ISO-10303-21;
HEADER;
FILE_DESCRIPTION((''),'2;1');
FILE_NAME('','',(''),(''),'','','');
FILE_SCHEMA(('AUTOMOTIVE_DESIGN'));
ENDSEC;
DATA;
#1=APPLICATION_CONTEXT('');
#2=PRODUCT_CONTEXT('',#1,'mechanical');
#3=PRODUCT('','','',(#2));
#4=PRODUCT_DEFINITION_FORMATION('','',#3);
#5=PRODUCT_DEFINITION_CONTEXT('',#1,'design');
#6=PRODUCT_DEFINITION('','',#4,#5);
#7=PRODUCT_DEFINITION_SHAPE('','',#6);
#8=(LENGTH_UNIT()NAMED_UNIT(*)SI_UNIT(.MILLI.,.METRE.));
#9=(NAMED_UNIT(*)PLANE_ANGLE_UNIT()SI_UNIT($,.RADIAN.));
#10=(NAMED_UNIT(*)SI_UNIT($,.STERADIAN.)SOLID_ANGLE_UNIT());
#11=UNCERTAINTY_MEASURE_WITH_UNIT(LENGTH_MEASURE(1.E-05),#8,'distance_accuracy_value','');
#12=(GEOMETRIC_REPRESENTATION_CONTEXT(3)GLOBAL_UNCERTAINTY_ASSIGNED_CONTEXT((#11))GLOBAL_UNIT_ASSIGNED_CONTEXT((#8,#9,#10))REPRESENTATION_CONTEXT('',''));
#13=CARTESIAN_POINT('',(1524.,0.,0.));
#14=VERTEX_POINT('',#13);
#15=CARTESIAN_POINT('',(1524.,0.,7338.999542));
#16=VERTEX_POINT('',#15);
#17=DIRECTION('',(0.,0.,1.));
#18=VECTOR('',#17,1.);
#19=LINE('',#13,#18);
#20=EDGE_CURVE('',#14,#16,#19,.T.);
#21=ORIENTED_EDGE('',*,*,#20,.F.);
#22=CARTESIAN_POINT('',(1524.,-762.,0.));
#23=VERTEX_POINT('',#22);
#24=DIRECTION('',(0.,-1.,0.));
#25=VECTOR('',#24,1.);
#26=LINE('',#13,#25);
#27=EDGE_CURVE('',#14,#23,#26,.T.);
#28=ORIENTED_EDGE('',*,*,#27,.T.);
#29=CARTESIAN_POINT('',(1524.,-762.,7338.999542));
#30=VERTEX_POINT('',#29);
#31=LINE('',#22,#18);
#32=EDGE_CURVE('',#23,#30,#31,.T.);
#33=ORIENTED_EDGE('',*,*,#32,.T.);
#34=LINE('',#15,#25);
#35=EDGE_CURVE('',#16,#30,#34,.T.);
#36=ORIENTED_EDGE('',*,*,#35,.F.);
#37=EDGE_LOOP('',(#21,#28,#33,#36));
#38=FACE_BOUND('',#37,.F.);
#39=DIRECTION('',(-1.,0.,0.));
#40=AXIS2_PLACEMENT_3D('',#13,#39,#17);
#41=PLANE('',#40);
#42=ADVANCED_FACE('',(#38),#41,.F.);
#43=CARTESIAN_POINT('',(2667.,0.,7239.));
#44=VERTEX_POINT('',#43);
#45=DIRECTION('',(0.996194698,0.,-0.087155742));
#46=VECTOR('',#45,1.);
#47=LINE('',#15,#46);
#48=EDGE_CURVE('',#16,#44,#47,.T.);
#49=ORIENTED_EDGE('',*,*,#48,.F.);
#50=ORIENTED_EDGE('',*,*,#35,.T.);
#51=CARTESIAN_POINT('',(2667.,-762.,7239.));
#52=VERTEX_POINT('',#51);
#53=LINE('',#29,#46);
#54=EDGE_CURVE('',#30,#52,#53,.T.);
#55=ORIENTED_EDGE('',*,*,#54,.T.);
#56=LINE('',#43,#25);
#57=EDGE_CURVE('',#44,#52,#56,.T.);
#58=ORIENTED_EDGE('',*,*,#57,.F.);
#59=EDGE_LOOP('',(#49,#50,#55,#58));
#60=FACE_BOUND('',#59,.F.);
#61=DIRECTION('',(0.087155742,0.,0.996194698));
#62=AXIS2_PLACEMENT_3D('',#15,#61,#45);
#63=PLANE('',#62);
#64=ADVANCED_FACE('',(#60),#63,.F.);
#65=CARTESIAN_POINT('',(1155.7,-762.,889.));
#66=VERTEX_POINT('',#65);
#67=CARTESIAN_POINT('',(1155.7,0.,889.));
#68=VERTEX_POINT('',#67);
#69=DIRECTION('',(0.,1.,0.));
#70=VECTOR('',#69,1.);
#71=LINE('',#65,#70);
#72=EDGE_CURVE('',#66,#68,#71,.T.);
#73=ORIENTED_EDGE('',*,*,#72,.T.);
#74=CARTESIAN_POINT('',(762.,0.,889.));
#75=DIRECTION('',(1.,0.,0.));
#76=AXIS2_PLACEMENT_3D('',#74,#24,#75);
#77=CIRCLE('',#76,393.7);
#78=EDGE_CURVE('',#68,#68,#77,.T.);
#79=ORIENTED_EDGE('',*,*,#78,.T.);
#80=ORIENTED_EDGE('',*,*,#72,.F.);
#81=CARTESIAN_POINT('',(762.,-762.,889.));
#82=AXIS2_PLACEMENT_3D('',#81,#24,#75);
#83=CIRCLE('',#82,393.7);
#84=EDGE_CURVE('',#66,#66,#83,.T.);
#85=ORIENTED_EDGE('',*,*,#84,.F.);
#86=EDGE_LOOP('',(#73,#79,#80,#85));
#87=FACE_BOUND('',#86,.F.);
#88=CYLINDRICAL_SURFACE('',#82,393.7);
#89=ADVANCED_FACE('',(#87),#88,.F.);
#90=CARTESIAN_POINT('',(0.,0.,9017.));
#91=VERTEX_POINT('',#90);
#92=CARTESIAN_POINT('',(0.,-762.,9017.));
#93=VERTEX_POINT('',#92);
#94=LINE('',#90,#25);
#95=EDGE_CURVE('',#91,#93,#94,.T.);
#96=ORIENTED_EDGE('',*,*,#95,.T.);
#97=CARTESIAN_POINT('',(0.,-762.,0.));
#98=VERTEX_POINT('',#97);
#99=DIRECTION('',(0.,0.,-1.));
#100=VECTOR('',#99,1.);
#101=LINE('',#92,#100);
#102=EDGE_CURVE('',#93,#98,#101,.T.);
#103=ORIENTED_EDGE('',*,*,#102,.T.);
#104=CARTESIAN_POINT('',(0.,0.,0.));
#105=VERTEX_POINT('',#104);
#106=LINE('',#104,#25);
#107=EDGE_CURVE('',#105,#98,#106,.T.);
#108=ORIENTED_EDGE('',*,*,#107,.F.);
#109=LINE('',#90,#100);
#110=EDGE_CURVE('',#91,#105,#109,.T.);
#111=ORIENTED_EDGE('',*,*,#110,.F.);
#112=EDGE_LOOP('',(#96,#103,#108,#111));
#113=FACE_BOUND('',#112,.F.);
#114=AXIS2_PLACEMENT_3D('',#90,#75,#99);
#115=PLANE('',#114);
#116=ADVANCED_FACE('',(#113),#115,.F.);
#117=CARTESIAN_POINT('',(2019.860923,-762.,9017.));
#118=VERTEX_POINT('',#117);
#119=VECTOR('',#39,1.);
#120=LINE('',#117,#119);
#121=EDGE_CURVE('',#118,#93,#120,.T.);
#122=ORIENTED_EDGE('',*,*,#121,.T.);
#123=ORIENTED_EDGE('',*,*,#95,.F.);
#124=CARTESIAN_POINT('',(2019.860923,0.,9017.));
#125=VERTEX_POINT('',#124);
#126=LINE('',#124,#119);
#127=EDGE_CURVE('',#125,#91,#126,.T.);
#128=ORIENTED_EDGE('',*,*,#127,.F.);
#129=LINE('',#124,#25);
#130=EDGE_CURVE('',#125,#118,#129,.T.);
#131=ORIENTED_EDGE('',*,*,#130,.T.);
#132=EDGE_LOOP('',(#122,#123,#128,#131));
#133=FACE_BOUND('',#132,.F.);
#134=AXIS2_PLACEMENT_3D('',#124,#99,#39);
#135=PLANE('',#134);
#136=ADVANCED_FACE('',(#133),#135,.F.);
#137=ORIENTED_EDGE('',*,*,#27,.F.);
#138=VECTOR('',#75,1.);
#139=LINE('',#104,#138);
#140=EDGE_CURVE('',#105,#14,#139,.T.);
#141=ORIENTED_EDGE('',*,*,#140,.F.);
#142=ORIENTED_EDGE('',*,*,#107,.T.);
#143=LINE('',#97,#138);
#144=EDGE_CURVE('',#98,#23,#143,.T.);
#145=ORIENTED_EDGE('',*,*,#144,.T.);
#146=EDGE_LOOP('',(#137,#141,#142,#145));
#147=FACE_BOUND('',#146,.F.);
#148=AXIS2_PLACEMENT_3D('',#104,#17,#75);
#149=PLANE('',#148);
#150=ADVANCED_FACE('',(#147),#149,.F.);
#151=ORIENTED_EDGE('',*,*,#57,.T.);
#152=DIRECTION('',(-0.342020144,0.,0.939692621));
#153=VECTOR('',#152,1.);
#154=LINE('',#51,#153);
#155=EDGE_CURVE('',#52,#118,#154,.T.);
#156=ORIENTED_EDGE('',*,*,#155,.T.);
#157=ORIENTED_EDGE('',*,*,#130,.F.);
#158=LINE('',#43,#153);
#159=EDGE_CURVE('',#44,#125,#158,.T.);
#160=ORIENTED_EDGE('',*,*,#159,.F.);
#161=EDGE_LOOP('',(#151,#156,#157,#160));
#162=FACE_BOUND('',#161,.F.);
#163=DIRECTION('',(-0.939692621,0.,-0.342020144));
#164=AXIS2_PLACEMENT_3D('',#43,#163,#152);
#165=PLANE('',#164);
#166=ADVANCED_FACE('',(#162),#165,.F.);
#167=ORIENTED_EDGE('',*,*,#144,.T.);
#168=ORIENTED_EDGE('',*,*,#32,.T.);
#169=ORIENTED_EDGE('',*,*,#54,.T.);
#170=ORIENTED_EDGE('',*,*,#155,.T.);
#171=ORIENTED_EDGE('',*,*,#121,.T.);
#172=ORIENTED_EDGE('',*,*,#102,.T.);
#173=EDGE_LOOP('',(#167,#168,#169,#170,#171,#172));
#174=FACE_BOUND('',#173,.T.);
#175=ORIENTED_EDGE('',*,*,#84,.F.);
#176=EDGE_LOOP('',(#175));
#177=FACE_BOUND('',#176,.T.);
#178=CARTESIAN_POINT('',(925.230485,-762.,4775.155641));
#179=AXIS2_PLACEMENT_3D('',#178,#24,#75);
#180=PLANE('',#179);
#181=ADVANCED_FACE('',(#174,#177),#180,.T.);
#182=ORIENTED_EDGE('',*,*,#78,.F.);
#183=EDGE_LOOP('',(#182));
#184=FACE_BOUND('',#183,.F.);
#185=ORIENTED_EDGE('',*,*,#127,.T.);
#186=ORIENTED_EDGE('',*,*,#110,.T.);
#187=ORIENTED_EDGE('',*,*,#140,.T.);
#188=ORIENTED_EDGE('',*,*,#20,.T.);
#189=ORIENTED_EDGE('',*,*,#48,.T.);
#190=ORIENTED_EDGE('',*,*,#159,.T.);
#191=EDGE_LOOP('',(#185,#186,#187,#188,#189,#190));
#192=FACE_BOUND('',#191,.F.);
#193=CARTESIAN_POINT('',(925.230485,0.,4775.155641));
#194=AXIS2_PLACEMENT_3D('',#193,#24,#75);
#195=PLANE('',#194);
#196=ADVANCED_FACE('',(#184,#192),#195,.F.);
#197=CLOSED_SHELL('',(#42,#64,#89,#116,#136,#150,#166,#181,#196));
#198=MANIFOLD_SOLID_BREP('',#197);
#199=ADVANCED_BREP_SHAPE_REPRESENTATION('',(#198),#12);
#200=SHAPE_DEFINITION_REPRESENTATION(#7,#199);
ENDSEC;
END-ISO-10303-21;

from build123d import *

# Parameters (mm, degrees)
F1_DEPTH = 762
F2_R     = 393.7
F3_DEPTH = 1016


with BuildPart() as f1:
    # F0 (on Front) → F1 (new body)
    with BuildSketch(Plane.XZ):
        Polygon((0, 9017), (0, 0), (1524, 0), (1524, 7338.999542), (2667, 7239), (2019.860923, 9017), align=None)
    extrude(amount=F1_DEPTH)

    # F2 (on face) → F3 (cut)
    with BuildSketch(Plane.XZ.offset(762)):
        with Locations((762, 889)):
            Circle(F2_R)
    extrude(amount=-F3_DEPTH, mode=Mode.SUBTRACT)


solid = f1.part
